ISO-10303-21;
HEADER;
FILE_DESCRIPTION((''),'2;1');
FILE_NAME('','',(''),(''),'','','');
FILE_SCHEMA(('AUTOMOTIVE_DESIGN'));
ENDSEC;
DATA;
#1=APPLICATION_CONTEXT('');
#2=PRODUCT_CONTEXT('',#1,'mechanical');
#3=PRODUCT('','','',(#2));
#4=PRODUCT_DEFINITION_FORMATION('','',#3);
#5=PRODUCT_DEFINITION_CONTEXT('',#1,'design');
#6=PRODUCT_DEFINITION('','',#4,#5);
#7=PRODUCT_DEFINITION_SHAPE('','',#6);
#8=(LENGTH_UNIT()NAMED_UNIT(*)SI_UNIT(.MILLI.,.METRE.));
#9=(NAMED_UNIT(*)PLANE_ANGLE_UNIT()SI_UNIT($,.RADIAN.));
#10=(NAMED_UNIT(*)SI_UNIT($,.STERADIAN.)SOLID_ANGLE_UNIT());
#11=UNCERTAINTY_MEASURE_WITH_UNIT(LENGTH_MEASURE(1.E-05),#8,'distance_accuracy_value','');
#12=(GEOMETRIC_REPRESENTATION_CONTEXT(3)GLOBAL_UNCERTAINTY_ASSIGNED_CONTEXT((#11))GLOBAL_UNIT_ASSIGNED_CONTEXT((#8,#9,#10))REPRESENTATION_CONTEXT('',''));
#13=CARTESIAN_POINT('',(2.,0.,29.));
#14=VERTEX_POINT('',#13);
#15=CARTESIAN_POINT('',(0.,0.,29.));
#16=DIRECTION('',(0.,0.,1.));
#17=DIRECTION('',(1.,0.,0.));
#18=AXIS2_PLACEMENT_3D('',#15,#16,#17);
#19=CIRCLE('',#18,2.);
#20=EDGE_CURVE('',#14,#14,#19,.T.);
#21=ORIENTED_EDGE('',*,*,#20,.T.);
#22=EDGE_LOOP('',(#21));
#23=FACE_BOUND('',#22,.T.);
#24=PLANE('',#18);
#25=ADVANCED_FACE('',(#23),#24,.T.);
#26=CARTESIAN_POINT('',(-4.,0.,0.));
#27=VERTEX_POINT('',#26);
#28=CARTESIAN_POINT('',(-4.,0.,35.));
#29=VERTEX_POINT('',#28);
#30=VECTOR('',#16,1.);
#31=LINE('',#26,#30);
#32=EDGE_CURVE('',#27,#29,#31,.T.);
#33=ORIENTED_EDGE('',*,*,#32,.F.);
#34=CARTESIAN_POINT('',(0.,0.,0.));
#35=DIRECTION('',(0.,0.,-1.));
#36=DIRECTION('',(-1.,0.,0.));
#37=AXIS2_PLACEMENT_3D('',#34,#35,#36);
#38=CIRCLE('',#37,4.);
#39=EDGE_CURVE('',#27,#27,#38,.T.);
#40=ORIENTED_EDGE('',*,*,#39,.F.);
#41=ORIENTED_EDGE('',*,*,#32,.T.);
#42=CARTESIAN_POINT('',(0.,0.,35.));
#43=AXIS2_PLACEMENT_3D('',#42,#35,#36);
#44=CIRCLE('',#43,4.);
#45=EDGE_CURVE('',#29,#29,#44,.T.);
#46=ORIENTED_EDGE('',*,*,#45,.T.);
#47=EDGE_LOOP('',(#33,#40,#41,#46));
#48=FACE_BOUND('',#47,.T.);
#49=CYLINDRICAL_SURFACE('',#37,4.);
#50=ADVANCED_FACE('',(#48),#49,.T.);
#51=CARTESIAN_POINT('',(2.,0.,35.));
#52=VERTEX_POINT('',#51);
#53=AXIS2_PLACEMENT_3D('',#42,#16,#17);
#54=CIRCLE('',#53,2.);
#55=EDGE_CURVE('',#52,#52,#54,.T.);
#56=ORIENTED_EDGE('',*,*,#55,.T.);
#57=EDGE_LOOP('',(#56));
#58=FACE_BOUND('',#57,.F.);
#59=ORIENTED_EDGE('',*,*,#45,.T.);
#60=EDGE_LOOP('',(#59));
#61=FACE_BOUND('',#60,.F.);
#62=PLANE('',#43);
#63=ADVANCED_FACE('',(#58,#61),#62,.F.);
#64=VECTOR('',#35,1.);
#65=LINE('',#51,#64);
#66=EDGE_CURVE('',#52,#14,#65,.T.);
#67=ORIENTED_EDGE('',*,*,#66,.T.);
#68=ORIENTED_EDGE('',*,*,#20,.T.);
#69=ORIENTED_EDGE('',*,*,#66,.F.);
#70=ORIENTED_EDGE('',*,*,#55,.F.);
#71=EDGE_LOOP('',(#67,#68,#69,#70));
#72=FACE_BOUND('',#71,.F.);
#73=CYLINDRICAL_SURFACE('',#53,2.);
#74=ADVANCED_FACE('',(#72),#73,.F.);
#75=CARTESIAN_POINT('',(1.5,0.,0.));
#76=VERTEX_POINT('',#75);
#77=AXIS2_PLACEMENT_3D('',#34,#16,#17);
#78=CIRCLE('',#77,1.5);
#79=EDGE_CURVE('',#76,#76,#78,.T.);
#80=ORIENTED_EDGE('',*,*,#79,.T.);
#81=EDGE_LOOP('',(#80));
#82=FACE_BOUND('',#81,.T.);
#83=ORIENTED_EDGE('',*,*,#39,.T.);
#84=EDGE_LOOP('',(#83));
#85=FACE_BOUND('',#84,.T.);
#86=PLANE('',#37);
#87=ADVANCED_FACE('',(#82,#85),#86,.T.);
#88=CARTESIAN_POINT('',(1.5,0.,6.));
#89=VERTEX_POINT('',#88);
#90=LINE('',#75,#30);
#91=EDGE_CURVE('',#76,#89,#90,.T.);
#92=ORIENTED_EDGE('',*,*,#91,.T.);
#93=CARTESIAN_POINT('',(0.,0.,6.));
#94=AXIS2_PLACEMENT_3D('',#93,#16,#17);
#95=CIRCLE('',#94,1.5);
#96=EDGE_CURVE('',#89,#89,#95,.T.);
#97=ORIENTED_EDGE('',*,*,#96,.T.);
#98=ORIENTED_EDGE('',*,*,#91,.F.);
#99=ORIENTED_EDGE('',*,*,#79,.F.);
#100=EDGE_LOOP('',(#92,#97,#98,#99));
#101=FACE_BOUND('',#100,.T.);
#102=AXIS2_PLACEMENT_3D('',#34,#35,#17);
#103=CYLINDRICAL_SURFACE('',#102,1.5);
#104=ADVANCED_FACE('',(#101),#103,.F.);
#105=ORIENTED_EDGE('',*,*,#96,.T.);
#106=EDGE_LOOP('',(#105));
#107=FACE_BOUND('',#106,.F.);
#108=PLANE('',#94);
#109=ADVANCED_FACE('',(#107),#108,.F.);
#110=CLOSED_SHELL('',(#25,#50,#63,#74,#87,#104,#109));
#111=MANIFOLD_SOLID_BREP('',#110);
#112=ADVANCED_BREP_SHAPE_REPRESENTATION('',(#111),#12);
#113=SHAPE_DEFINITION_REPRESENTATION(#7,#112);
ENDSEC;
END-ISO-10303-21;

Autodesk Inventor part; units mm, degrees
ref_plane "YZ Plane" through (0, 0, 0) normal (1, 0, 0) x (0, 1, 0)
ref_plane "XZ Plane" through (0, 0, 0) normal (0, 1, 0) x (-1, 0, 0)
sketch "スケッチ1" plane through (0, 0, 0) normal (0, 0, 1) x (1, 0, 0)
  circle A0 centre (0, 0) radius 1.5
  circle A1 centre (0, 0) radius 3
  dimension "d0" = 3
  dimension "d1" = 6
extrude "押し出し1" add sketch "スケッチ1" along normal blind 35
ref_plane "作業平面1" through (0, 0, 29) normal (0, 0, 1) x (1, 0, 0)
sketch "スケッチ3" plane through (0, 0, 29) normal (0, 0, 1) x (1, 0, 0)
  circle A0 centre (0, 0) radius 1.5 projected
extrude "押し出し3" add sketch "スケッチ3" against normal blind 23
sketch "スケッチ4" plane through (0, 0, 0) normal (0, 0, -1) x (-1, 0, 0)
  circle A0 centre (0, 0) radius 3 projected
  circle A1 centre (0, 0) radius 1.5 projected
  circle A2 centre (0, 0) radius 3 projected
  circle A3 centre (0, 0) radius 4
  dimension "d9" = 8
extrude "押し出し4" add sketch "スケッチ4" against normal blind 35 contours A3
sketch "スケッチ5" plane through (0, 0, 35) normal (0, 0, 1) x (1, 0, 0)
  circle A0 centre (0, 0) radius 1.5 projected
  circle A1 centre (0, 0) radius 2
  dimension "d12" = 4
extrude "押し出し5" cut sketch "スケッチ5" against normal blind 6 contours A0 | A1
properties part number "スペーサー自作m3,35" material "アルミニウム 7075"
